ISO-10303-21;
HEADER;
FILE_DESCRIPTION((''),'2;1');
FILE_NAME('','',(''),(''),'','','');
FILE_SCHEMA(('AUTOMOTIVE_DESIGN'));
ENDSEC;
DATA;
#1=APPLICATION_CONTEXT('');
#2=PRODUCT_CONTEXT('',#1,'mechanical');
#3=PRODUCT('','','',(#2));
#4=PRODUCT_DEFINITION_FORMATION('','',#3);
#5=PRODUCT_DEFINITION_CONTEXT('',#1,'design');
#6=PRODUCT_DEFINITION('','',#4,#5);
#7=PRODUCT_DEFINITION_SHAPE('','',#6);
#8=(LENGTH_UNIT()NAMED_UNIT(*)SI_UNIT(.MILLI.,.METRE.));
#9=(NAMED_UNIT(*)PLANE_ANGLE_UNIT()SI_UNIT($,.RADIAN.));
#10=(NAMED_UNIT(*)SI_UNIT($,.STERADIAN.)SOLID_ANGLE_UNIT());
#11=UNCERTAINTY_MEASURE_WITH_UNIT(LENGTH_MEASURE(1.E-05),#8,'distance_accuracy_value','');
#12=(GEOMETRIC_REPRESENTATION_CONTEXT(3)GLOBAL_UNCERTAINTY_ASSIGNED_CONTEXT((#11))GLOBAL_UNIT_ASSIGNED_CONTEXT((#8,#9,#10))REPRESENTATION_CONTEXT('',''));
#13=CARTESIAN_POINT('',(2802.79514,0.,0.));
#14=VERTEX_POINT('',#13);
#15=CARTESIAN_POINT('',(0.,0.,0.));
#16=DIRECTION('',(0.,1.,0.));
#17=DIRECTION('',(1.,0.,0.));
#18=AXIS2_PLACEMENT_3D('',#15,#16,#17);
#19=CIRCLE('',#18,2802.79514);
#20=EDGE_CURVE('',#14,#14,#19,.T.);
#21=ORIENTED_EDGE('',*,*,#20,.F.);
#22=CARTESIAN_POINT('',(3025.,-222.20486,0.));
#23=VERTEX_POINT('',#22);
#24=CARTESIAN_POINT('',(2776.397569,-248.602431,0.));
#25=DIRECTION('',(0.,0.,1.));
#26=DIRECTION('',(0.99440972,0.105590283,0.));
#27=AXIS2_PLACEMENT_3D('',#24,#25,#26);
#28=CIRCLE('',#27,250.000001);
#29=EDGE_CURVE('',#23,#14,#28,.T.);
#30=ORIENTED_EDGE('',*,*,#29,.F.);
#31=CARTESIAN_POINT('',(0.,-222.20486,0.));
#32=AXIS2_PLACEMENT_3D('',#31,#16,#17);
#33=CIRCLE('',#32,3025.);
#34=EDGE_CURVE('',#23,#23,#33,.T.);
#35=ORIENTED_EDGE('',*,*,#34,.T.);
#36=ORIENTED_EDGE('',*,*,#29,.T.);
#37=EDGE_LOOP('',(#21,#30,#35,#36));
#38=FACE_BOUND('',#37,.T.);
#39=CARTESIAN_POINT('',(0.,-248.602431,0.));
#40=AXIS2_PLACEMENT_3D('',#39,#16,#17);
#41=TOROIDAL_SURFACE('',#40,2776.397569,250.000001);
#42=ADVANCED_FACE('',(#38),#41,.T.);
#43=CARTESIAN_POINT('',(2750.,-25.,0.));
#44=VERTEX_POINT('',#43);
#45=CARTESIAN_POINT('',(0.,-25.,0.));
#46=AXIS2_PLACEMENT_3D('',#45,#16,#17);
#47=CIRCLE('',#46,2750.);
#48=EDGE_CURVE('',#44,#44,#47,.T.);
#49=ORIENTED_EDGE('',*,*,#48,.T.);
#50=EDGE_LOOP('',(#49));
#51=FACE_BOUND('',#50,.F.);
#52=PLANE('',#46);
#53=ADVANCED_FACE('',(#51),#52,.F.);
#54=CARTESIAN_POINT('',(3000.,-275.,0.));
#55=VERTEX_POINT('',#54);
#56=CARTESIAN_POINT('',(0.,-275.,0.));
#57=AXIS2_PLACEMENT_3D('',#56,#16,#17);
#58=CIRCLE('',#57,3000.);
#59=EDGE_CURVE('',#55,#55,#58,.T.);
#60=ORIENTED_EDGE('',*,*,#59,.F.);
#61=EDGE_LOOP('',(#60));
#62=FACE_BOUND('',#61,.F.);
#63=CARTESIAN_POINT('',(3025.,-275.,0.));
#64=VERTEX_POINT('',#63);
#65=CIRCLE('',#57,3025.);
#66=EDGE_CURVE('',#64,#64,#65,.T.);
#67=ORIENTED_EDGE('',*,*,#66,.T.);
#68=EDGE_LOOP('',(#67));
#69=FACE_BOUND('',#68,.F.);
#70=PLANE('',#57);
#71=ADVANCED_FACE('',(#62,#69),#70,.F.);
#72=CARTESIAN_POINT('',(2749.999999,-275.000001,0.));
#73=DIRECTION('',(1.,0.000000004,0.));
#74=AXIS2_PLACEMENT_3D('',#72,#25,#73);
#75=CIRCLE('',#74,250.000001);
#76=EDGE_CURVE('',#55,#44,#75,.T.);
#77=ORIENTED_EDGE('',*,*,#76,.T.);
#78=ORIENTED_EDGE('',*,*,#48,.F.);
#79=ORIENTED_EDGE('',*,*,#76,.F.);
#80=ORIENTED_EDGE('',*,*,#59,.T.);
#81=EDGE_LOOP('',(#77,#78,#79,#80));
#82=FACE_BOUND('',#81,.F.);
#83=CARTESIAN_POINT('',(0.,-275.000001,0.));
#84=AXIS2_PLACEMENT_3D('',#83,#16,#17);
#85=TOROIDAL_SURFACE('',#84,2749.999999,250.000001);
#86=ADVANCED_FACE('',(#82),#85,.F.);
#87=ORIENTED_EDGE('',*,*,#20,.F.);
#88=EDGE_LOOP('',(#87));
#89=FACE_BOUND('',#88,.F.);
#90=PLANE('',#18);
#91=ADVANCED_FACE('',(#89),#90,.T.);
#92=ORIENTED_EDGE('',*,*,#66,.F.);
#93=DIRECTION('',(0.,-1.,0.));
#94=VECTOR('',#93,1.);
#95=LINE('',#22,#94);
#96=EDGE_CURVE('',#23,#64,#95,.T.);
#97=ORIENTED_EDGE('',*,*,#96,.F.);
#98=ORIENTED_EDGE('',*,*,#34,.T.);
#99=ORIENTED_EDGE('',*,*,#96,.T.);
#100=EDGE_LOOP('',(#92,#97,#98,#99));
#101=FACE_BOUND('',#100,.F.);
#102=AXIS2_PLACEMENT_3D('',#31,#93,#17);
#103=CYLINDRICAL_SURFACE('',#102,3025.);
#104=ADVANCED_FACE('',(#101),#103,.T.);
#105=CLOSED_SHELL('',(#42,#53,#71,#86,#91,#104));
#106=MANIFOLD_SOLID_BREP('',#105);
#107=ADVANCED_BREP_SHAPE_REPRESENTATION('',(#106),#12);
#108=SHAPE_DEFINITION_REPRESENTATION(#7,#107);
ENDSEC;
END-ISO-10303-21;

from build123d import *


with BuildPart() as part:
    # Sketch → Revolution (revolve)
    with BuildSketch(Plane.XY):
        with BuildLine():
            Line((0, 0), (2802.79514, 0))
            ThreePointArc((3025, -222.20486), (2953.174265, -71.825735), (2802.79514, 0))
            Line((3025, -222.20486), (3025, -275))
            Line((3025, -275), (3000, -275))
            ThreePointArc((3000, -275), (2926.776695, -98.223305), (2750, -25))
            Line((2750, -25), (0, -25))
            Line((0, -25), (0, 0))
        make_face()
    revolve(axis=Axis((0, 0, 0), (0, 1, 0)))


solid = part.part
